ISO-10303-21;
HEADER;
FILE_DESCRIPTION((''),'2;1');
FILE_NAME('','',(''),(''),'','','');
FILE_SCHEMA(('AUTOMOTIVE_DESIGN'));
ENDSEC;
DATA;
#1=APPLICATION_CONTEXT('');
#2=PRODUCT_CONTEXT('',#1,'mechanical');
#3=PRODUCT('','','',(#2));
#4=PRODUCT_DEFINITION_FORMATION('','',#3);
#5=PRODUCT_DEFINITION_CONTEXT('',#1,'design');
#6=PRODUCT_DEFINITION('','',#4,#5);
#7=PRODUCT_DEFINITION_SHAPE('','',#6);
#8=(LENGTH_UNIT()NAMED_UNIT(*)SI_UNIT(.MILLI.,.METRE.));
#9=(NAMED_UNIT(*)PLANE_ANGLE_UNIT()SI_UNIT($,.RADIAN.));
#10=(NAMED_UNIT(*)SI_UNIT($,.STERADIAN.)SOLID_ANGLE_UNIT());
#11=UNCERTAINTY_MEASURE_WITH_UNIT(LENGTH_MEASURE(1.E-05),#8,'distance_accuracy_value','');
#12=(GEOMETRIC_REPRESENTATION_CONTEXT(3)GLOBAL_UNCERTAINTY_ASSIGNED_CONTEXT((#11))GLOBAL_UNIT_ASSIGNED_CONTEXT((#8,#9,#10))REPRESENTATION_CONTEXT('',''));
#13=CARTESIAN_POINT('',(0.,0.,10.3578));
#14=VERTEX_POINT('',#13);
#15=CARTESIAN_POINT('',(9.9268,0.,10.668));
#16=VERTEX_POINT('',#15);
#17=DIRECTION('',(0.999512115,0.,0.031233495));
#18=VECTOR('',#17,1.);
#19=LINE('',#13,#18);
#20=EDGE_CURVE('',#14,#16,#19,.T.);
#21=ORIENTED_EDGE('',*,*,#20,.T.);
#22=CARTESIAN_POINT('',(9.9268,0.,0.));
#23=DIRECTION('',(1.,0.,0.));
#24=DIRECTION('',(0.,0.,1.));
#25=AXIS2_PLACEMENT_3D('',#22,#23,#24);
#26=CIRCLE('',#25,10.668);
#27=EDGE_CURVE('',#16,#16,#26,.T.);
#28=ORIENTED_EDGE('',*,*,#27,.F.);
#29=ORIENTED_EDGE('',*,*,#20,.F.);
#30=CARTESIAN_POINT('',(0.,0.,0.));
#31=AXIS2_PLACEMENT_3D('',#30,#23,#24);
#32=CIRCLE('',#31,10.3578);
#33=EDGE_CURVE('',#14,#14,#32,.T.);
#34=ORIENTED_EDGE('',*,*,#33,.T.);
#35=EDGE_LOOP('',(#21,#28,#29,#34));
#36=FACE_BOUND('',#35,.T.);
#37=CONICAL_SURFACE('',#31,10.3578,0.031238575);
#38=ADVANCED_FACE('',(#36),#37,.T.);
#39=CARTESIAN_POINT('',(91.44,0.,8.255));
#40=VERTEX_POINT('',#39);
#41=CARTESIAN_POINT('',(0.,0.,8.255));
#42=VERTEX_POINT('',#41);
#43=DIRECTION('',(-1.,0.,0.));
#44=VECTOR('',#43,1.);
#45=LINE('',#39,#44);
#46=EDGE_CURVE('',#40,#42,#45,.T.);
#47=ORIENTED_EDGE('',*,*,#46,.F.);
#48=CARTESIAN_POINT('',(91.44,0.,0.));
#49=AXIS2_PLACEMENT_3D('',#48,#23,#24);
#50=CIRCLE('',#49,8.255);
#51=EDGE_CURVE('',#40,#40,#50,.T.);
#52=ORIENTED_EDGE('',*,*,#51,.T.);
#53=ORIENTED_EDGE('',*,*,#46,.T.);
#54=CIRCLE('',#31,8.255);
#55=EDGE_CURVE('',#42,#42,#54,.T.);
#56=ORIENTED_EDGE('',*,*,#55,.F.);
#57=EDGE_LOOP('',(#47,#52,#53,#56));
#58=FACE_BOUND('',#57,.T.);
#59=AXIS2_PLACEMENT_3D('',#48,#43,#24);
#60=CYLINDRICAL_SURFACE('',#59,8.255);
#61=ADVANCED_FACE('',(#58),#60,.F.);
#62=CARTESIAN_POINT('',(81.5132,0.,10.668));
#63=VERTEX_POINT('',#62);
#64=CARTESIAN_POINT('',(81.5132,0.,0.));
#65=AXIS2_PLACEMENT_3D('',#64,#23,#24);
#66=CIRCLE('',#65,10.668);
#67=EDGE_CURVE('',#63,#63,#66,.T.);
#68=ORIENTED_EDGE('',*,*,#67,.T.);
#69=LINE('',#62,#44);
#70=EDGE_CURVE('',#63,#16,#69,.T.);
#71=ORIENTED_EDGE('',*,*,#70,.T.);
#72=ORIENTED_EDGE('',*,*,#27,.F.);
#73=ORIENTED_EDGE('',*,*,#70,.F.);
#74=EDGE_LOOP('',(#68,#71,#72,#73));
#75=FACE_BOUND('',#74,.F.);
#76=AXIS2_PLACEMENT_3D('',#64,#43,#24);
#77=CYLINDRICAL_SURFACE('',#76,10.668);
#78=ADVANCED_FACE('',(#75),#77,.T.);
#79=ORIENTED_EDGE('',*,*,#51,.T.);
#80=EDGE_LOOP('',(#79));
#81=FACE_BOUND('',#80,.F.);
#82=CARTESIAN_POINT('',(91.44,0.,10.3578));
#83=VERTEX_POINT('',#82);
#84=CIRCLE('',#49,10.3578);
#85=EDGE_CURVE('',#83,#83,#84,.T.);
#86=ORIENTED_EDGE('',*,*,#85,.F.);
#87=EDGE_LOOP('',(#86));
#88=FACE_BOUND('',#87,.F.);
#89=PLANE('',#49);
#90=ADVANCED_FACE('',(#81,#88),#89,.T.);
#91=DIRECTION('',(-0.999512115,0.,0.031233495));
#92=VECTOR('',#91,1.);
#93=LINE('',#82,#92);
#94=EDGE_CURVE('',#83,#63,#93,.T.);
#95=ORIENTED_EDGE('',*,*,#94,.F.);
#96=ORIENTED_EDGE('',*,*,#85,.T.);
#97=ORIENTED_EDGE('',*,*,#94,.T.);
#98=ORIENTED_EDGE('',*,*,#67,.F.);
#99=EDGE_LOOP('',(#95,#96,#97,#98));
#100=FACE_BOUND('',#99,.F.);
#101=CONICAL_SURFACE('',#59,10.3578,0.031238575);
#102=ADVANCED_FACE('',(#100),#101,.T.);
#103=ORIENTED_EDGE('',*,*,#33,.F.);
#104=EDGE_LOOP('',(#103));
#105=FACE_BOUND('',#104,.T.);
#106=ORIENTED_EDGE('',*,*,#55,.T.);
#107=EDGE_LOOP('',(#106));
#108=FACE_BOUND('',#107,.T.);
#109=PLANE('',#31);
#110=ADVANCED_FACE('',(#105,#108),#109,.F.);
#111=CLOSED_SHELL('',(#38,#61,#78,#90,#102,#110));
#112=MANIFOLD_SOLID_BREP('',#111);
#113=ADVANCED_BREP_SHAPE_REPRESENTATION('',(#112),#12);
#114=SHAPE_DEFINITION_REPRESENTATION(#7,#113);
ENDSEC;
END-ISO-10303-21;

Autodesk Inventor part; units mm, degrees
ref_plane "YZ Plane" through (0, 0, 0) normal (1, 0, 0) x (0, 1, 0)
ref_plane "XZ Plane" through (0, 0, 0) normal (0, 1, 0) x (-1, 0, 0)
ref_plane "XY Plane" through (0, 0, 0) normal (0, 0, 1) x (1, 0, 0)
sketch "Sketch1" plane through (0, 0, 0) normal (0, 1, 0) x (-1, 0, 0)
  line L0 (0, 0) -> (-91.44, 0)
  line L1 (-91.44, 0) -> (-91.44, 8.255) construction
  line L2 (-91.44, 8.255) -> (-91.44, 10.3578)
  line L3 (-91.44, 10.3578) -> (-81.5132, 10.668)
  line L4 (-81.5132, 10.668) -> (-9.9268, 10.668)
  line L5 (-45.72, 0) -> (-45.72, 10.668) construction
  line L6 (-91.44, 8.255) -> (0, 8.255)
  line L7 (0, 0) -> (0, 8.255) construction
  line L8 (0, 8.255) -> (0, 10.3578)
  line L9 (0, 10.3578) -> (-9.9268, 10.668)
  line L10 (-77.884, 10.7814) -> (-77.884, 0) construction
  line L11 (-13.556, 10.7814) -> (-13.556, 0) construction
  line L12 (-81.5132, 10.668) -> (-77.884, 10.7814) construction
  line L13 (-81.5132, 10.668) -> (-81.5132, 0) construction
  line L14 (-9.9268, 10.668) -> (-13.556, 10.7814) construction
  line L15 (-9.9268, 10.668) -> (-9.9268, 0) construction
  dimension "d0" = 21.336
  dimension "d1" = 1.79
  dimension "d2" = 16.51
  dimension "d3" = 91.44
  dimension "d4" = 13.556
  dimension "d5" = 21.5628
revolve "Revolution1" add sketch "Sketch1" angle 360 about axis through (0, 0, 0) along (1, 0, 0)
thread "Thread1" size "1/2" designation "1/2 - 14 NPT" standard "NPT" full length
thread "Thread2" size "1/2" designation "1/2 - 14 NPT" standard "NPT" full length
equation "\"d0\" = OD"
equation "\"d2\" = ID"
equation "\"d3\" = L"
equation "\"d4\" = L2"
equation "\"d5\" = D2"
equation "\"OD\" = 21.336"
equation "\"t\" = 2.413"
equation "\"L\" = PL"
equation "\"L4\" = 19.8501"
equation "\"ID\" = 16.51"
equation "\"PL\" = 91.44"
equation "\"D2\" = 21.56282"
equation "\"L2\" = 13.55598"
equation "\"Size_Designation\" = 1.2345"
equation "\"PLmin\" = 2 * L2"
properties material "Steel, Wrought"
